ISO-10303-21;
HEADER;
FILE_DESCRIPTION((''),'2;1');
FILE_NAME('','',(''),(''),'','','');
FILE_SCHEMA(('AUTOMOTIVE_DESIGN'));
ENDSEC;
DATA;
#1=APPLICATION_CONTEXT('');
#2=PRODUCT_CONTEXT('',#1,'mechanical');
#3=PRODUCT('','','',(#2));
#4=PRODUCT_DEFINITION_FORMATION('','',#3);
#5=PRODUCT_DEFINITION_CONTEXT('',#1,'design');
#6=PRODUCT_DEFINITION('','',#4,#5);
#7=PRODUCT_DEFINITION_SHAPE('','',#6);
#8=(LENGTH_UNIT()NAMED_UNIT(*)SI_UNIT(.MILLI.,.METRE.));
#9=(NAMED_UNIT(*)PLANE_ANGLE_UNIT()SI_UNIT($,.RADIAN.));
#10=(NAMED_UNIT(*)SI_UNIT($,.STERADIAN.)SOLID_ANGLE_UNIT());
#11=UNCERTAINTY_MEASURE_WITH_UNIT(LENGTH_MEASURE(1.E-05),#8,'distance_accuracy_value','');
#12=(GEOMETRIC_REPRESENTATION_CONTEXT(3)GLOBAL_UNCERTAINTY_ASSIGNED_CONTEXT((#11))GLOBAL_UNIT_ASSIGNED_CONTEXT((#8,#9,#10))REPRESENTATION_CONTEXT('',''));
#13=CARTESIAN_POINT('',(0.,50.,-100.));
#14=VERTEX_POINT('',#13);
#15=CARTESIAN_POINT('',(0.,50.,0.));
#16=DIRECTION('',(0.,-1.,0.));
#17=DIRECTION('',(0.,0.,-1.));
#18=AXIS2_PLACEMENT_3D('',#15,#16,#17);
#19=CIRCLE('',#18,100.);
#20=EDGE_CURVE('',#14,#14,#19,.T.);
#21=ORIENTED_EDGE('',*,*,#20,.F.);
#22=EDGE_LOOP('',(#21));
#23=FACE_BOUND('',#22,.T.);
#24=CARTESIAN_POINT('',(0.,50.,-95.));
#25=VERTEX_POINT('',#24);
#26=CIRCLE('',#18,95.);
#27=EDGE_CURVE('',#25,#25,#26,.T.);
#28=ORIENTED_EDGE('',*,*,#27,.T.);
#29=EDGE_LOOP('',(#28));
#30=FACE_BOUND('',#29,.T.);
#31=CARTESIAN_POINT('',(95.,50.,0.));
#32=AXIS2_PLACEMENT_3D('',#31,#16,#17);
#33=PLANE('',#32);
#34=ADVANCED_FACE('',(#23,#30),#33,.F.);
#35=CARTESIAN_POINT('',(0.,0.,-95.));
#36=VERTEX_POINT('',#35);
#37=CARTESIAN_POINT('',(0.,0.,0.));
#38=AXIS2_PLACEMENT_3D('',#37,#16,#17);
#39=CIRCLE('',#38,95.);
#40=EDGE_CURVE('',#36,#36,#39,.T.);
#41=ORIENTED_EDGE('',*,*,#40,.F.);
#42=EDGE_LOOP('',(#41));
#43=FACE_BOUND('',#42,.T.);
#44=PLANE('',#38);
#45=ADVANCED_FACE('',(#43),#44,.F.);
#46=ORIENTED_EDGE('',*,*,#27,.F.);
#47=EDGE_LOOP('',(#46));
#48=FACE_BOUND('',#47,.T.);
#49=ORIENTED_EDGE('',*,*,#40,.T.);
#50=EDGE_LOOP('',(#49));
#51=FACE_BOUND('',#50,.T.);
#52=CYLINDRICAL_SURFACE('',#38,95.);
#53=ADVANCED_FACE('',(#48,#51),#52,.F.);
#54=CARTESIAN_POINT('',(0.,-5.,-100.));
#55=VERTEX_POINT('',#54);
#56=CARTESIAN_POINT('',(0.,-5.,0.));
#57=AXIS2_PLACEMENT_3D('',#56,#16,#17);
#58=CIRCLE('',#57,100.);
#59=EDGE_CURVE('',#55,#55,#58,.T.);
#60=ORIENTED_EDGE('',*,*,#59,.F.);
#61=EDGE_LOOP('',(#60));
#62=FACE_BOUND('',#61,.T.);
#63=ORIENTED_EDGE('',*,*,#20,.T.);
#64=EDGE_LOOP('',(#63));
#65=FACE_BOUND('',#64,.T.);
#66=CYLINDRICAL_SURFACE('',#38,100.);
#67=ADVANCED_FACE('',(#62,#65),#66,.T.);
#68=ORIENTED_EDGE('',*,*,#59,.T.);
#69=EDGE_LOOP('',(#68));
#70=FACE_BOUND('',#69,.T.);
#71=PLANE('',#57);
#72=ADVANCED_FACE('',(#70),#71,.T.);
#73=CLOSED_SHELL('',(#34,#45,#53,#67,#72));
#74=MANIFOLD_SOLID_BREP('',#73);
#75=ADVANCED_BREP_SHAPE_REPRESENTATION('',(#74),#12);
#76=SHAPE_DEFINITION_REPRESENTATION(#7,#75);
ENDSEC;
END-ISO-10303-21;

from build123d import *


with BuildPart() as part:
    # Sketch1 → Revolve-Thin1 (revolve)
    with BuildSketch(Plane.XY, mode=Mode.PRIVATE) as revolve_thin1_sk:
        Polygon((0, 0), (95, 0), (95, 50), (100, 50), (100, -5), (0, -5), align=None)
    revolve(revolve_thin1_sk.sketch.rotate(Axis((0, 0, 0), (0, 1, 0)), 90), axis=Axis((0, 0, 0), (0, 1, 0)))


solid = part.part
